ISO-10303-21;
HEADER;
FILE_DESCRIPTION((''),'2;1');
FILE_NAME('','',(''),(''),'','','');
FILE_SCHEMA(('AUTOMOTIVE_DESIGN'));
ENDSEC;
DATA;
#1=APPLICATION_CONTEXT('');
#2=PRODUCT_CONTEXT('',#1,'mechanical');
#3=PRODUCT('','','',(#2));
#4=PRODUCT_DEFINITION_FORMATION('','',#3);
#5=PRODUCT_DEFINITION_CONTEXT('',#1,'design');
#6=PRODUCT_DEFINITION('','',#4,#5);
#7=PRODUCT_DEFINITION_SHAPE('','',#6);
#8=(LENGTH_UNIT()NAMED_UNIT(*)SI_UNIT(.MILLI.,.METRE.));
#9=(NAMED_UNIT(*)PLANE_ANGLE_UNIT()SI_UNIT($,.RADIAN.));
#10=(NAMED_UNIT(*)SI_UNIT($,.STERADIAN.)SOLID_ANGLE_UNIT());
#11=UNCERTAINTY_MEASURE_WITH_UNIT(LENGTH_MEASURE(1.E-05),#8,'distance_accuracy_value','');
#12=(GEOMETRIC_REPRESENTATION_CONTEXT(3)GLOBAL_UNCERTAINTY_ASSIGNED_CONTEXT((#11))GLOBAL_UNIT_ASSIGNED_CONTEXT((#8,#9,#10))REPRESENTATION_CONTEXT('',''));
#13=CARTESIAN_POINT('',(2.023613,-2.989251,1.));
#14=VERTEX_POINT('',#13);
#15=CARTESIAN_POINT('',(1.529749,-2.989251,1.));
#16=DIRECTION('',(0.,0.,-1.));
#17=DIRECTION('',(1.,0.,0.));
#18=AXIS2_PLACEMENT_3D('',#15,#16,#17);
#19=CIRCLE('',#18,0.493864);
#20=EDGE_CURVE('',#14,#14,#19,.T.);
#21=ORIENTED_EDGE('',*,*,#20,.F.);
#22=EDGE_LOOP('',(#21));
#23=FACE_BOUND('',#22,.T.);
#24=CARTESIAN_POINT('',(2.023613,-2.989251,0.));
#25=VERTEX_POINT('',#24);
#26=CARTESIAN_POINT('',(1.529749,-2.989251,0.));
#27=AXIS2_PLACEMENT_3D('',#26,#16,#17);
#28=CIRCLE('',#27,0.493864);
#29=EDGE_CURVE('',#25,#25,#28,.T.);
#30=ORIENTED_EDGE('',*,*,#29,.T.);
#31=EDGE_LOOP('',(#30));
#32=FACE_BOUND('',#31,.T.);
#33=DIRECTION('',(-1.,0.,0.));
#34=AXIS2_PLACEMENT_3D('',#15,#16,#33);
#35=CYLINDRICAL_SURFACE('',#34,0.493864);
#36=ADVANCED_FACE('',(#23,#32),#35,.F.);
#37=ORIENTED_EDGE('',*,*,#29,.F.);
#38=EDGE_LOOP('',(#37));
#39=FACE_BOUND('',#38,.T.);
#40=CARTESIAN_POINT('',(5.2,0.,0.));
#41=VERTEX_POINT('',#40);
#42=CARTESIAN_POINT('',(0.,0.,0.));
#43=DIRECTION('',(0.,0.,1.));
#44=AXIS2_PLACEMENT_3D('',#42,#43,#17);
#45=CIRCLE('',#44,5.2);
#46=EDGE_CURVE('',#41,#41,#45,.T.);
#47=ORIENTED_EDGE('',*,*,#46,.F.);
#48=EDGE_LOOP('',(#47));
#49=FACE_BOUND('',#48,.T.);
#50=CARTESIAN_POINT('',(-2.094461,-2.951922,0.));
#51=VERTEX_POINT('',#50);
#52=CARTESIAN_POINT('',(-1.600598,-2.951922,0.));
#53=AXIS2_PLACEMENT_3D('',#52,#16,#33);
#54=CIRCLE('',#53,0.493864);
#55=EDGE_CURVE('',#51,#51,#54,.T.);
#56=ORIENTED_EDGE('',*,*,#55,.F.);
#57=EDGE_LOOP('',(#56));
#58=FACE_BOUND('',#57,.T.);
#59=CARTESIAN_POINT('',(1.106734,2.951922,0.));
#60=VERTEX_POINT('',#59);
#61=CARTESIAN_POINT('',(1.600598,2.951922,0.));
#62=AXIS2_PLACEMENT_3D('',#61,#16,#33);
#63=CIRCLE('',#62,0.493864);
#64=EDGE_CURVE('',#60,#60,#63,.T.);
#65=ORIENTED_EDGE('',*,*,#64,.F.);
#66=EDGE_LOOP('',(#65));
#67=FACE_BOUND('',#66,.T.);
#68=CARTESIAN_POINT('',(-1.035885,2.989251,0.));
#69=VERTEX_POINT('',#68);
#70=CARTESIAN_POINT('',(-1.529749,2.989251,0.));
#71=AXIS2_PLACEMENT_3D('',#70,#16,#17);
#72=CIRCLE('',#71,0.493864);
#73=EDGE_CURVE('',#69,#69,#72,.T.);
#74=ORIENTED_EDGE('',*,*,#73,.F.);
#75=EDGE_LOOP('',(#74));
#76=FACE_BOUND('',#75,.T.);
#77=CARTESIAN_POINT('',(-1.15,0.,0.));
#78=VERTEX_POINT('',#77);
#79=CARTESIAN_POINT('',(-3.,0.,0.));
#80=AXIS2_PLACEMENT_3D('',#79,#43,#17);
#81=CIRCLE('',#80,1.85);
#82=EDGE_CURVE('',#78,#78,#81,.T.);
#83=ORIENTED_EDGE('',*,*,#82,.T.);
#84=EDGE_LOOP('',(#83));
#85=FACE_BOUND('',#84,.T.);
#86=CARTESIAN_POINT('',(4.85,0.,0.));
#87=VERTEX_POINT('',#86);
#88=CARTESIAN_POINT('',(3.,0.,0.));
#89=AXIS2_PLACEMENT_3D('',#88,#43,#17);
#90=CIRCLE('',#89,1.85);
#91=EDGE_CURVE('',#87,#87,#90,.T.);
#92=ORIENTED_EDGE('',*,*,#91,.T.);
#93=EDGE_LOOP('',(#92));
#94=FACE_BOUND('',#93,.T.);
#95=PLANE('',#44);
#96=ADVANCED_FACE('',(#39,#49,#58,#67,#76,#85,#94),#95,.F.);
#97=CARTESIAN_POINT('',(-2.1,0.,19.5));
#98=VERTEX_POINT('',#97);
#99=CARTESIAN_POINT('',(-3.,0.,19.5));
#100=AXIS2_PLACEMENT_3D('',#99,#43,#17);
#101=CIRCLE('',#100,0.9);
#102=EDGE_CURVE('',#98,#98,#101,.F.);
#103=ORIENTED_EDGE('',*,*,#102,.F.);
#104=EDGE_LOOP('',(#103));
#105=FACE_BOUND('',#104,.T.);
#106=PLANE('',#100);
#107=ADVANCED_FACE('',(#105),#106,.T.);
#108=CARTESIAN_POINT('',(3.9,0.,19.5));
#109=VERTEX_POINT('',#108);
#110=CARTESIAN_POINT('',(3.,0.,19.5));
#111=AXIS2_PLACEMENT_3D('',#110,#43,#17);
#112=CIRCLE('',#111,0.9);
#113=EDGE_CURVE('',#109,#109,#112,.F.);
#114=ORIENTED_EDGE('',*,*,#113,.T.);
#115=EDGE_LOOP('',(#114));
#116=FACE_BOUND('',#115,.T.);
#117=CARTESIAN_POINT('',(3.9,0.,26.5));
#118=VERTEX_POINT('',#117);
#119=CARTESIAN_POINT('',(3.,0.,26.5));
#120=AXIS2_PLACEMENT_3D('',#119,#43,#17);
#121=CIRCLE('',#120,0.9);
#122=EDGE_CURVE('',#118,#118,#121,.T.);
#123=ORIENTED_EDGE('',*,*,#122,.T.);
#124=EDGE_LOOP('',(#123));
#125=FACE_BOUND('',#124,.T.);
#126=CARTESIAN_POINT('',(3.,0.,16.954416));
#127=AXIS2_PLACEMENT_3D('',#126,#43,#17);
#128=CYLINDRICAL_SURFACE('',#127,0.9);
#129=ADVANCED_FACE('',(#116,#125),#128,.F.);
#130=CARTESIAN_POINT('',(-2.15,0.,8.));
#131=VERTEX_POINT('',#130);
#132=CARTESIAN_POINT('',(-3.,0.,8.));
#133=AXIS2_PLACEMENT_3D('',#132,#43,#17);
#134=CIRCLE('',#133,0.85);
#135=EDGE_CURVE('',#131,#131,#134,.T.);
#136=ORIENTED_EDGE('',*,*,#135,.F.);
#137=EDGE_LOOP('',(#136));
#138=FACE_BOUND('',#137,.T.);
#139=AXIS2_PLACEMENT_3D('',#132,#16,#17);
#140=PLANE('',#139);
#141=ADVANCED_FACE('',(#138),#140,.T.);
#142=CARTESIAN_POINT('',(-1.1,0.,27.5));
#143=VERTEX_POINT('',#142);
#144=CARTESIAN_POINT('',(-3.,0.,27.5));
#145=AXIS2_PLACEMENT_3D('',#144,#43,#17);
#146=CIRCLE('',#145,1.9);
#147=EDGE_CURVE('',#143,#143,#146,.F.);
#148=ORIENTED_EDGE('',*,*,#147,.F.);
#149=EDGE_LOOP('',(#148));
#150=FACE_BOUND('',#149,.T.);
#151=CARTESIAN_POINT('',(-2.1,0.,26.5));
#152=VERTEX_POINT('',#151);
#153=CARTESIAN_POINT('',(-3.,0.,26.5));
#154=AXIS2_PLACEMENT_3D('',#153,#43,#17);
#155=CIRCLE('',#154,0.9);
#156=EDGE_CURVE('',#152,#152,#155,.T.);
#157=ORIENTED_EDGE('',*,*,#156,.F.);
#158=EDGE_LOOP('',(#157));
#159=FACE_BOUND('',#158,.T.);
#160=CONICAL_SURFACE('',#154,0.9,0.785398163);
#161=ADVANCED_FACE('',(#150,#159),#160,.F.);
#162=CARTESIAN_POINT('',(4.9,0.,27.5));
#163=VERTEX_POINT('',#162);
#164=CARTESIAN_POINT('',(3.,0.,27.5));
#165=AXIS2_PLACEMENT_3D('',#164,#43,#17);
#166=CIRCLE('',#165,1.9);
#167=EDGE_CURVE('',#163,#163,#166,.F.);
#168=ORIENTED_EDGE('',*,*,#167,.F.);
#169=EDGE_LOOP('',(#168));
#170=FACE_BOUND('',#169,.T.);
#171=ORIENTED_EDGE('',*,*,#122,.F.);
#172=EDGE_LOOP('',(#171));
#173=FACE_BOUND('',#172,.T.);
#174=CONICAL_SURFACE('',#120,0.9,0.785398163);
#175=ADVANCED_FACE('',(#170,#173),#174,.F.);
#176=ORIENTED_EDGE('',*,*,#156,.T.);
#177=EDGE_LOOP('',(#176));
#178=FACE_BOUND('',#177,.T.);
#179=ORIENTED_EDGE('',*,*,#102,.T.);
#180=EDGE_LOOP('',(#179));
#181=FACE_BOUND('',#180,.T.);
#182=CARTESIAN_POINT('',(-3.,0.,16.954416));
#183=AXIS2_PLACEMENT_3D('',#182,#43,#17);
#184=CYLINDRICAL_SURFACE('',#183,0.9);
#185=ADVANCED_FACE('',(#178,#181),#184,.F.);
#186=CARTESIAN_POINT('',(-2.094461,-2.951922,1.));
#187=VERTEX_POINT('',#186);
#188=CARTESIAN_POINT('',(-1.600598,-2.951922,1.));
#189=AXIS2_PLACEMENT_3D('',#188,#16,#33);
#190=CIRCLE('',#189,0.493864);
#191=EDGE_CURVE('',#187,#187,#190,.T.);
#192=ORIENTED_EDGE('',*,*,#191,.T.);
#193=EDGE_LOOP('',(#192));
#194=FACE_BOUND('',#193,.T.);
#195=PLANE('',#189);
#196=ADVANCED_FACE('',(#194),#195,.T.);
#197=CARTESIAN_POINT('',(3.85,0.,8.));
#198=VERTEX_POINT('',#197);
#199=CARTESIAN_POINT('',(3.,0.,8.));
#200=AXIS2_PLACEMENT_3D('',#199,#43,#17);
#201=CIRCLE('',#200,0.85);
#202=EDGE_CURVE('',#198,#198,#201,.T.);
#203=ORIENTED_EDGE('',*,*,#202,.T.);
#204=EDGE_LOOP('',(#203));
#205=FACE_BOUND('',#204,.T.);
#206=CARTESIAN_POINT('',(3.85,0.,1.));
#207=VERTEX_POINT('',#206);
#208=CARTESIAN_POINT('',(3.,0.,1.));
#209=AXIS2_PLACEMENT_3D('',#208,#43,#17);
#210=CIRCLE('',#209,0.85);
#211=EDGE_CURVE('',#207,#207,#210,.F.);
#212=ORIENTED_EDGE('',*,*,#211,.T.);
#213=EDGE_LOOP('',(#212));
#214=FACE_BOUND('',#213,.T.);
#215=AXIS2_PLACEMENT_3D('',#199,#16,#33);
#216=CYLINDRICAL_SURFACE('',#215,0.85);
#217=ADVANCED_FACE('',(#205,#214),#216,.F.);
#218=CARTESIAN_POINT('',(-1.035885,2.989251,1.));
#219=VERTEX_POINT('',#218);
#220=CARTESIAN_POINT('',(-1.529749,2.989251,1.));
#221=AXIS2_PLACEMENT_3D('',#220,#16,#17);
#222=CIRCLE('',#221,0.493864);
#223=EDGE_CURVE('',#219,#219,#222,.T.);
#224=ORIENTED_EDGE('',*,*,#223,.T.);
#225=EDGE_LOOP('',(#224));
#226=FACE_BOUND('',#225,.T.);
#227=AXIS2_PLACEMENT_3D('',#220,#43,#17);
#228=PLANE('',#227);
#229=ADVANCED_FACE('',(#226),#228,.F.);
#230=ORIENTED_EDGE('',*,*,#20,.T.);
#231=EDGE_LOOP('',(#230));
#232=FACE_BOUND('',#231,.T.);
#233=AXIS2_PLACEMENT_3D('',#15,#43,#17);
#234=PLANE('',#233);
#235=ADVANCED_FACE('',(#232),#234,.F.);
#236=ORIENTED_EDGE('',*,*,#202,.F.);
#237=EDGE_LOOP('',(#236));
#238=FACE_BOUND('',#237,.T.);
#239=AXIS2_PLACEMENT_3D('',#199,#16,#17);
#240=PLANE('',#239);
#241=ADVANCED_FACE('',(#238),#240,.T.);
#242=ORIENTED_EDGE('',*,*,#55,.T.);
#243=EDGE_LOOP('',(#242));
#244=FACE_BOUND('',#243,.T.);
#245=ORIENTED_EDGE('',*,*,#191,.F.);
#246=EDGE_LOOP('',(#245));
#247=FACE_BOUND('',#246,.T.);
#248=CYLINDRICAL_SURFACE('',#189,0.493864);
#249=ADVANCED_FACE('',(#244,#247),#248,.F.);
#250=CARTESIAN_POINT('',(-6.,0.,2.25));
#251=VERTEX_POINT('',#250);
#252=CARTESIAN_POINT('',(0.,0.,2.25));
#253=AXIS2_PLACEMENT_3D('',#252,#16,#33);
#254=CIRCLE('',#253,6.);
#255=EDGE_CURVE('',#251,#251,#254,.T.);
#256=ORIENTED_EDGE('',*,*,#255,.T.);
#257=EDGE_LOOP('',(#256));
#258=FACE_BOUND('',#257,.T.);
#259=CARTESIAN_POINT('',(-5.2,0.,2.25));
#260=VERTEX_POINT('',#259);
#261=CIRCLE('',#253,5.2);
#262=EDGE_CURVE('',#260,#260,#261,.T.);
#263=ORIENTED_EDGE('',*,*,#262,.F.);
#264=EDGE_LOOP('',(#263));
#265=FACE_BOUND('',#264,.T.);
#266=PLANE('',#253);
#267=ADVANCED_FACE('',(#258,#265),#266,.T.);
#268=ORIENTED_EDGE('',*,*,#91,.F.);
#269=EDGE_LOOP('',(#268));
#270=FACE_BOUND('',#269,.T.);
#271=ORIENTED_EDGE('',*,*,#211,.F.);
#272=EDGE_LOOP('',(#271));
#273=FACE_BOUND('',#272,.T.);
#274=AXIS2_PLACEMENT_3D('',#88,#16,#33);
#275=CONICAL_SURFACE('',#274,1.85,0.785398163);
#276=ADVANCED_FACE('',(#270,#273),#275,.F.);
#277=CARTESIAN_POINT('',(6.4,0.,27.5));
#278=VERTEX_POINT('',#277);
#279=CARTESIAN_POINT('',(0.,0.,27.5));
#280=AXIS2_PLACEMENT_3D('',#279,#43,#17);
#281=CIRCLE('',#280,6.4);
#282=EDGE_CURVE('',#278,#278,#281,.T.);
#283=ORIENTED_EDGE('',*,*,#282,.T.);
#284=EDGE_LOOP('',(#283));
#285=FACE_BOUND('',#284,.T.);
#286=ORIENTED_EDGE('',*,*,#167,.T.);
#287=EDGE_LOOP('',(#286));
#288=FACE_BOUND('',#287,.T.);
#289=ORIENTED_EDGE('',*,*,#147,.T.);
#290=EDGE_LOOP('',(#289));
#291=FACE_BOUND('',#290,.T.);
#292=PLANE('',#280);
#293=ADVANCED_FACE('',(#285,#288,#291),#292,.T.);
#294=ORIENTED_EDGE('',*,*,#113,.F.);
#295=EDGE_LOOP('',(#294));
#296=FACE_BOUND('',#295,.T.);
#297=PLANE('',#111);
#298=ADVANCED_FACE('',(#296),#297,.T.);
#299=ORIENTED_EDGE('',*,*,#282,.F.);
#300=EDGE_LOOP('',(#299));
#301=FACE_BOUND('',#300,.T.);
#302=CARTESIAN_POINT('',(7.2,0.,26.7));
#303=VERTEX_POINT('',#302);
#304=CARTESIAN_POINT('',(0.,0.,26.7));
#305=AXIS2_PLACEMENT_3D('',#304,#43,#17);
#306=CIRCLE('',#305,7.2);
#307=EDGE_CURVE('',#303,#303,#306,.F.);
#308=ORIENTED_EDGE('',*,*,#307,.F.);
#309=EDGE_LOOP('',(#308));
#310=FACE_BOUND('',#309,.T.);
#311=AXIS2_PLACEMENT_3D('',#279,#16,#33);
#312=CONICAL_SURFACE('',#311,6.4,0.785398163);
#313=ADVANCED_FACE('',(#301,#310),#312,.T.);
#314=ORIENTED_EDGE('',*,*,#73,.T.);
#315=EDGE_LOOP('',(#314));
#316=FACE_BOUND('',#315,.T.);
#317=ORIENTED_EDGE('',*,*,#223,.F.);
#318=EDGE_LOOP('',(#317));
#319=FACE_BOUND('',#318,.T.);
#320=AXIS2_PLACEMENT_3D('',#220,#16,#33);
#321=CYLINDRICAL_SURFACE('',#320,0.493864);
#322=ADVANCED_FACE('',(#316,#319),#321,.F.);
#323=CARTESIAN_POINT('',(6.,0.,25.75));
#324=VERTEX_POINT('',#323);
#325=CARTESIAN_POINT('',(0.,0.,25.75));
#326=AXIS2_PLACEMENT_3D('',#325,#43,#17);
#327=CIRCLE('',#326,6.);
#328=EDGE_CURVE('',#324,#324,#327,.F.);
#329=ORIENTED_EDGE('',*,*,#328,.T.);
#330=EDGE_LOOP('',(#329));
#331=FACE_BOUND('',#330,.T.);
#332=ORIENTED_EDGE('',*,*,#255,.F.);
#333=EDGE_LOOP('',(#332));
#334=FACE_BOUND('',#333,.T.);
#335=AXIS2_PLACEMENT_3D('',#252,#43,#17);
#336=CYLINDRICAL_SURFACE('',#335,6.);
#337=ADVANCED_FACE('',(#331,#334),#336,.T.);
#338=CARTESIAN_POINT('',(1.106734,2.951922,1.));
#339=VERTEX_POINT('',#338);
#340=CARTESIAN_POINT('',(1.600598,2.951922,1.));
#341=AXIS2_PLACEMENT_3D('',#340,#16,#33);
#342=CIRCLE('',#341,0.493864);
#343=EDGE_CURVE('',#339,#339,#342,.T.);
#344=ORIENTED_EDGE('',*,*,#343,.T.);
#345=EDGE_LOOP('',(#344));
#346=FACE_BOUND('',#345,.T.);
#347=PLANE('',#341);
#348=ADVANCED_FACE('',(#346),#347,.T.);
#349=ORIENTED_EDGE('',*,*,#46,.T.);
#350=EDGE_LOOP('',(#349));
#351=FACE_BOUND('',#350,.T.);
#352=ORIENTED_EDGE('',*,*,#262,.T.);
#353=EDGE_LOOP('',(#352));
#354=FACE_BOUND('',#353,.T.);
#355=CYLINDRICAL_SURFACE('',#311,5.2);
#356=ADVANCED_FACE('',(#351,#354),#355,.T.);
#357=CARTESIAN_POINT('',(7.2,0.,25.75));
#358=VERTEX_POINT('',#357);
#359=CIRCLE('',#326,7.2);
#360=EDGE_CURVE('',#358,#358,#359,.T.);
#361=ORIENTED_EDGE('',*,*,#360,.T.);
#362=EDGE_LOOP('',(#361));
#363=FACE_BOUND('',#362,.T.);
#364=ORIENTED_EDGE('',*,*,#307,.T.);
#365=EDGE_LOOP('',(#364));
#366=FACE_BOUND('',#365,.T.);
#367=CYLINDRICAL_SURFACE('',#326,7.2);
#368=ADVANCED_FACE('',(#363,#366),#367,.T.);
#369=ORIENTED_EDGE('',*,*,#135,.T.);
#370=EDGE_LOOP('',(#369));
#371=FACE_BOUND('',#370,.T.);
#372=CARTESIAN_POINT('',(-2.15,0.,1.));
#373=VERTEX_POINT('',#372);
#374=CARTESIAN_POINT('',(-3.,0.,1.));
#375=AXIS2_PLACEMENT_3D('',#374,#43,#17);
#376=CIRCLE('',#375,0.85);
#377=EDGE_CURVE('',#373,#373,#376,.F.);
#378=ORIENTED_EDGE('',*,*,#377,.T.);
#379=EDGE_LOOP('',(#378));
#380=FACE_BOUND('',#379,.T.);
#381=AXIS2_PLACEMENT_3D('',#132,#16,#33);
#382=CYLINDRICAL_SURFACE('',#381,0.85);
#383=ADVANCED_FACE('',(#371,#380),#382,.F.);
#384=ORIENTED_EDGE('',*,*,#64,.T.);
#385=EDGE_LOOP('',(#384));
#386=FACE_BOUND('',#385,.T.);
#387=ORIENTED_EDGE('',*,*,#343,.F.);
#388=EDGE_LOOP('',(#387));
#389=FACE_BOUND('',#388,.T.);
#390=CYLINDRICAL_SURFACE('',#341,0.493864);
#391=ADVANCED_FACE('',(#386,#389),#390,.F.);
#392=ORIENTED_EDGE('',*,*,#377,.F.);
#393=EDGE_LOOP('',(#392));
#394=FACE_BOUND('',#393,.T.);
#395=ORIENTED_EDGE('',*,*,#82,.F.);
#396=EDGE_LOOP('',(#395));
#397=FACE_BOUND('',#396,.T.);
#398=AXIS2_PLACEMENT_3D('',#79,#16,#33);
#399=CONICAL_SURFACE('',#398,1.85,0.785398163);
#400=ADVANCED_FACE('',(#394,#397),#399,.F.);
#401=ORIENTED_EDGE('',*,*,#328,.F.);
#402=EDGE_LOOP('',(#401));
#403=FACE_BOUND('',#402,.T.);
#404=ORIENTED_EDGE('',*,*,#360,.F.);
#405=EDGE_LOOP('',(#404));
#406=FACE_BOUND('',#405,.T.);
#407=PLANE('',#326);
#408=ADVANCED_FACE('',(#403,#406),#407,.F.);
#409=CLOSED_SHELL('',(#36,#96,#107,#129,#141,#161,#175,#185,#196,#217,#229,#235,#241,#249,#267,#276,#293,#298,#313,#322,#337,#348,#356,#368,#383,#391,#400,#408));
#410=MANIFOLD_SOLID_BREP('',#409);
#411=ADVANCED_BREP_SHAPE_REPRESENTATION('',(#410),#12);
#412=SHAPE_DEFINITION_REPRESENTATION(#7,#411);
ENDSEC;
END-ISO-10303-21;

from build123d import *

# Parameters (mm, degrees)
SKETCH_1_R          = 5.2
EXTRUDE_1_DEPTH     = 27.5
SKETCH_6_R          = 7.2
EXTRUDE_3_DEPTH     = 1.75
SKETCH_8_R          = 6
EXTRUDE_4_DEPTH     = 23.5
SKETCH_3_R          = 0.85
CUT_EXTRUDE_4_DEPTH = 8
SKETCH_7_R          = 0.9
CUT_EXTRUDE_5_DEPTH = 8
CHAMFER_1_SIZE      = 1
CHAMFER_2_SIZE      = 1
SKETCH_9_R          = 0.493863849
CUT_EXTRUDE_6_DEPTH = 1
CHAMFER_3_SIZE      = 0.8


with BuildPart() as part:
    # 草图1 → 凸台-拉伸1 (new body)
    with BuildSketch(Plane.XY):
        Circle(SKETCH_1_R)
    extrude(amount=EXTRUDE_1_DEPTH)

    # 草图6 → 凸台-拉伸3 (add)
    with BuildSketch(Plane.XY.offset(27.5)):
        Circle(SKETCH_6_R)
    extrude(amount=-EXTRUDE_3_DEPTH)

    # 草图8 → 凸台-拉伸4 (add)
    with BuildSketch(Plane(origin=(0, 0, 25.75), x_dir=(-1, 0, 0), z_dir=(0, 0, -1))):
        with Locations(Location((0, 0, 0), (0, 0, 180))):
            Circle(SKETCH_8_R)
    extrude(amount=EXTRUDE_4_DEPTH)

    # 草图3 → 切除-拉伸4 (cut)
    with BuildSketch(Plane.XY.offset(27.5)):
        with Locations((-3, 0)):
            Circle(SKETCH_3_R)
        with Locations((3, 0)):
            Circle(SKETCH_3_R)
    cut_extrude_4 = extrude(amount=-CUT_EXTRUDE_4_DEPTH, mode=Mode.SUBTRACT)

    # 镜向3: 切除-拉伸4 across plane
    add(cut_extrude_4.mirror(Plane.XY.offset(13.75)), mode=Mode.SUBTRACT)

    # 草图7 → 切除-拉伸5 (cut)
    with BuildSketch(Plane.XY.offset(27.5)):
        with Locations((-3, 0)):
            Circle(SKETCH_7_R)
        with Locations((3, 0)):
            Circle(SKETCH_7_R)
    extrude(amount=-CUT_EXTRUDE_5_DEPTH, mode=Mode.SUBTRACT)

    # 倒角1
    chamfer_1_edges = [part.edges().sort_by_distance(p)[0] for p in [
        (-3.85, 0, 0),
        (2.15, 0, 0),
    ]]
    chamfer(chamfer_1_edges, length=CHAMFER_1_SIZE)

    # 倒角2
    chamfer_2_edges = [part.edges().sort_by_distance(p)[0] for p in [
        (-3.9, 0, 27.5),
        (2.1, 0, 27.5),
    ]]
    chamfer(chamfer_2_edges, length=CHAMFER_2_SIZE)

    # 草图9 → 切除-拉伸6 (cut)
    with BuildSketch(Plane(origin=(0, 0, 0), x_dir=(-1, 0, 0), z_dir=(0, 0, -1))):
        with Locations((-1.600597529, 2.951921672)):
            Circle(SKETCH_9_R)
        with Locations(Location((1.529748789, 2.989251185, 0), (0, 0, 180))):
            Circle(SKETCH_9_R)
        with Locations((1.600597529, -2.951921672)):
            Circle(SKETCH_9_R)
        with Locations(Location((-1.529748789, -2.989251185, 0), (0, 0, 180))):
            Circle(SKETCH_9_R)
    extrude(amount=-CUT_EXTRUDE_6_DEPTH, mode=Mode.SUBTRACT)

    # 倒角3
    chamfer_3_edges = [part.edges().sort_by_distance(p)[0] for p in [
        (-7.2, 0, 27.5),
    ]]
    chamfer(chamfer_3_edges, length=CHAMFER_3_SIZE)


solid = part.part
